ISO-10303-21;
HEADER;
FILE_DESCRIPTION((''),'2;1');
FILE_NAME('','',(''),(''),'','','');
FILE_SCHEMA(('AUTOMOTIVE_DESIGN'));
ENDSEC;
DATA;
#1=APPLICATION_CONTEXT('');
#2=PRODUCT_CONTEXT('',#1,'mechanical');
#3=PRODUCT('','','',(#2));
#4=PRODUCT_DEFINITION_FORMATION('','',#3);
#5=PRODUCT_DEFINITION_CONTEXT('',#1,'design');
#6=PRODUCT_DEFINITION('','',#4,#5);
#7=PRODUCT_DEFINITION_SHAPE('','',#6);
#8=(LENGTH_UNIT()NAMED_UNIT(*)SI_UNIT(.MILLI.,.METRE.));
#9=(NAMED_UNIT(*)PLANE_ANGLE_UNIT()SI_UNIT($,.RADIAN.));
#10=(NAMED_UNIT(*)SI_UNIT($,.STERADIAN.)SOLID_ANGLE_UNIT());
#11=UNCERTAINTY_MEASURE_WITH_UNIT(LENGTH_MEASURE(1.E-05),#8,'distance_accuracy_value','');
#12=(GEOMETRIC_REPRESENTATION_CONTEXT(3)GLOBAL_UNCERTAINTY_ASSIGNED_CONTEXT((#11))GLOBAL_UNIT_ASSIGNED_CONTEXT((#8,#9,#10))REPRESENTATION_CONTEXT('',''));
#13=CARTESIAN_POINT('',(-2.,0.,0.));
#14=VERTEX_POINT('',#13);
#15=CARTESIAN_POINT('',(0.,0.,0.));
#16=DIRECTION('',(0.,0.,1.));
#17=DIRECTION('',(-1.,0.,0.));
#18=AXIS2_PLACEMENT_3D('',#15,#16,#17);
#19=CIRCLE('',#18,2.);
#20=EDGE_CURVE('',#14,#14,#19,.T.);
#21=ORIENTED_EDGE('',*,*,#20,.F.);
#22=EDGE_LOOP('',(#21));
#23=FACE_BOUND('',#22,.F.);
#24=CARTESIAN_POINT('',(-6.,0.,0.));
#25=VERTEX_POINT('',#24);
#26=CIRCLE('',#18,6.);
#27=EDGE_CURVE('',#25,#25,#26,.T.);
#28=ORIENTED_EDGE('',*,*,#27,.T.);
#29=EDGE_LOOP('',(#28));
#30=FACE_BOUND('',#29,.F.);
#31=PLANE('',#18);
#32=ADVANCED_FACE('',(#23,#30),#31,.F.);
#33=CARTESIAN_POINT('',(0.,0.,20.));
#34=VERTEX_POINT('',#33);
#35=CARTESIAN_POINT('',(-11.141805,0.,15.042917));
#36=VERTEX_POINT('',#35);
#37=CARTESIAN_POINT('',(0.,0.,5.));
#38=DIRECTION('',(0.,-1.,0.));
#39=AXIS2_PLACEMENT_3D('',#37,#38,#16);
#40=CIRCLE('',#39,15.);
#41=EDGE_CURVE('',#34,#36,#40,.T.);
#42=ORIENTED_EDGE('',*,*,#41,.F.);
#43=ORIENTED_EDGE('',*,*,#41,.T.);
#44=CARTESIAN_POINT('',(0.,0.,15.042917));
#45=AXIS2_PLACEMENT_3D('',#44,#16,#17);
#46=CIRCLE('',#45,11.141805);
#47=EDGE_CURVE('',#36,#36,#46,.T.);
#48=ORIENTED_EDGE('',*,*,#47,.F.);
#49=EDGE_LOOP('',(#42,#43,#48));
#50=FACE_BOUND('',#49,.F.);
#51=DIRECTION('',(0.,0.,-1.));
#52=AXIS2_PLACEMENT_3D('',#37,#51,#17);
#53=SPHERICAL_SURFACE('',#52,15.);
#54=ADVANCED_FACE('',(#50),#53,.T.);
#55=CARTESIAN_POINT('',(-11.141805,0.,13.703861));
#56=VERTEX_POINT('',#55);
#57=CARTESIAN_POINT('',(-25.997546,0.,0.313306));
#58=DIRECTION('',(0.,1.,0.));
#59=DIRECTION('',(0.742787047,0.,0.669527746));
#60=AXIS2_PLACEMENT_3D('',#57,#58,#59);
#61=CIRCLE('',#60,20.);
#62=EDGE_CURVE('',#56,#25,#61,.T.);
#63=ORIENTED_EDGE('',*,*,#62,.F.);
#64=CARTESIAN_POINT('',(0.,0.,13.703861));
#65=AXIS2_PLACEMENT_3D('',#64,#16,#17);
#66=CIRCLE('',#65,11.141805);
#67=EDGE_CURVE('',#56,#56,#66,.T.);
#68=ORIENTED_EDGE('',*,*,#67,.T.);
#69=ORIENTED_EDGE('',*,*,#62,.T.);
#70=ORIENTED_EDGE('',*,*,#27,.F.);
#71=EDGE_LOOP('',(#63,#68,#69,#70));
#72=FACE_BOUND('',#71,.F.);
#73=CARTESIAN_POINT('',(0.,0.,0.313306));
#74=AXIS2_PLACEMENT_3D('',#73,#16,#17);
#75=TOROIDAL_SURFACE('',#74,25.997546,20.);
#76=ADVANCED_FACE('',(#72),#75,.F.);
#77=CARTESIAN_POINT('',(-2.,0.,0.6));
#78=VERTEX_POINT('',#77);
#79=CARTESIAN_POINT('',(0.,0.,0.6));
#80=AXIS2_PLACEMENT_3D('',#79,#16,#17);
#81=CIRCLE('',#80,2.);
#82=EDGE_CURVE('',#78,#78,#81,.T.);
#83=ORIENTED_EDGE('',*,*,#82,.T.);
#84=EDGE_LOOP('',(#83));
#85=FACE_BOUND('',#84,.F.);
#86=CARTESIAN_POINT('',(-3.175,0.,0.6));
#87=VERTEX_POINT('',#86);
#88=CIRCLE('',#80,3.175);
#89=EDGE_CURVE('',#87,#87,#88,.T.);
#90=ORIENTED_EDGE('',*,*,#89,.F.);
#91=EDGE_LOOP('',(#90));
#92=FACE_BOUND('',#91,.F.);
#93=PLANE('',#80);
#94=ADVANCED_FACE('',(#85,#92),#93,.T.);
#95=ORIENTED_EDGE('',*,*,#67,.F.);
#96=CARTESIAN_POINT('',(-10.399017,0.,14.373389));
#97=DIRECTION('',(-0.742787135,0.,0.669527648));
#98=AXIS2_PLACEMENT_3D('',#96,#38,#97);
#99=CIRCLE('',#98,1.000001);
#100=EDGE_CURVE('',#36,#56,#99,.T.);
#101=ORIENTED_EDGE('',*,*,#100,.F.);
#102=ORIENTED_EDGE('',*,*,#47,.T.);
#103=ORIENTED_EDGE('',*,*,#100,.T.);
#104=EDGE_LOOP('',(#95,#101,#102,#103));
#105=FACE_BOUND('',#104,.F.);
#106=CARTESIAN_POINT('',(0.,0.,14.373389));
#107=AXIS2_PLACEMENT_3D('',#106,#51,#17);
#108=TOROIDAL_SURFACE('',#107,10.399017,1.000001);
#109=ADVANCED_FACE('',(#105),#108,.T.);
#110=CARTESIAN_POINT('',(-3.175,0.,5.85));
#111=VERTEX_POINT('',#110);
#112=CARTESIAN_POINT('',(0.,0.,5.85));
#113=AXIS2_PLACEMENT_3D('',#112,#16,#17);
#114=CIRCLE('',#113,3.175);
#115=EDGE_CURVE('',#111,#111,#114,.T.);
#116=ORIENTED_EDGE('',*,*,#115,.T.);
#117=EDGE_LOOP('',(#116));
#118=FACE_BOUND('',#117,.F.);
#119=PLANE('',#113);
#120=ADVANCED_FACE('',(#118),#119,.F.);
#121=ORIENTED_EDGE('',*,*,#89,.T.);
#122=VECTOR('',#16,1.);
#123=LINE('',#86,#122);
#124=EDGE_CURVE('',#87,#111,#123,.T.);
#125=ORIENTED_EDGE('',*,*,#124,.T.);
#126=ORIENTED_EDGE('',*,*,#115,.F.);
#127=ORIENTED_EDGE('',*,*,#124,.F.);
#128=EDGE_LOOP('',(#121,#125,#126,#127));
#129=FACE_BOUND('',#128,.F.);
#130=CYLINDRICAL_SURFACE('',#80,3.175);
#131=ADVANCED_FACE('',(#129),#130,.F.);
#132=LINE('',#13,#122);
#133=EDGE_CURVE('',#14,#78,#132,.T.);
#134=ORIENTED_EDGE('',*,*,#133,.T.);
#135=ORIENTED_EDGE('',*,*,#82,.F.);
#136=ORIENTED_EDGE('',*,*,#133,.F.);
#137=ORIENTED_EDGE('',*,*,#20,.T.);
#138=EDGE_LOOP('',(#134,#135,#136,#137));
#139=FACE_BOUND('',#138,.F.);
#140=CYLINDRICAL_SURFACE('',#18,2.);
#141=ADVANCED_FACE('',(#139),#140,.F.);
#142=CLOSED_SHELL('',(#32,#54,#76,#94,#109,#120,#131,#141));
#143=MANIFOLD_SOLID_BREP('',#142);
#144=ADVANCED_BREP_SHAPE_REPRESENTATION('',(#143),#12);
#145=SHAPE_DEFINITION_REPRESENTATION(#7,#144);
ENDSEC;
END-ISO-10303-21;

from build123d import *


with BuildPart() as f1:
    # F0 (on Front) → F1 (revolve)
    with BuildSketch(Plane.XZ):
        with BuildLine():
            ThreePointArc((-11.141805, 13.703861), (-7.272246, 7.339197), (-6, 0))
            Line((-6, 0), (-2, 0))
            Line((-2, 0), (-2, 0.6))
            Line((-2, 0.6), (-3.175, 0.6))
            Line((-3.175, 0.6), (-3.175, 5.85))
            Line((-3.175, 5.85), (0, 5.85))
            Line((0, 5.85), (0, 20))
            ThreePointArc((0, 20), (-6.097387, 18.704812), (-11.141805, 15.042917))
            ThreePointArc((-11.141805, 15.042917), (-11.399018, 14.373389), (-11.141805, 13.703861))
        make_face()
    revolve(axis=Axis((0, 0, 10), (0, 0, 1)))


solid = f1.part
